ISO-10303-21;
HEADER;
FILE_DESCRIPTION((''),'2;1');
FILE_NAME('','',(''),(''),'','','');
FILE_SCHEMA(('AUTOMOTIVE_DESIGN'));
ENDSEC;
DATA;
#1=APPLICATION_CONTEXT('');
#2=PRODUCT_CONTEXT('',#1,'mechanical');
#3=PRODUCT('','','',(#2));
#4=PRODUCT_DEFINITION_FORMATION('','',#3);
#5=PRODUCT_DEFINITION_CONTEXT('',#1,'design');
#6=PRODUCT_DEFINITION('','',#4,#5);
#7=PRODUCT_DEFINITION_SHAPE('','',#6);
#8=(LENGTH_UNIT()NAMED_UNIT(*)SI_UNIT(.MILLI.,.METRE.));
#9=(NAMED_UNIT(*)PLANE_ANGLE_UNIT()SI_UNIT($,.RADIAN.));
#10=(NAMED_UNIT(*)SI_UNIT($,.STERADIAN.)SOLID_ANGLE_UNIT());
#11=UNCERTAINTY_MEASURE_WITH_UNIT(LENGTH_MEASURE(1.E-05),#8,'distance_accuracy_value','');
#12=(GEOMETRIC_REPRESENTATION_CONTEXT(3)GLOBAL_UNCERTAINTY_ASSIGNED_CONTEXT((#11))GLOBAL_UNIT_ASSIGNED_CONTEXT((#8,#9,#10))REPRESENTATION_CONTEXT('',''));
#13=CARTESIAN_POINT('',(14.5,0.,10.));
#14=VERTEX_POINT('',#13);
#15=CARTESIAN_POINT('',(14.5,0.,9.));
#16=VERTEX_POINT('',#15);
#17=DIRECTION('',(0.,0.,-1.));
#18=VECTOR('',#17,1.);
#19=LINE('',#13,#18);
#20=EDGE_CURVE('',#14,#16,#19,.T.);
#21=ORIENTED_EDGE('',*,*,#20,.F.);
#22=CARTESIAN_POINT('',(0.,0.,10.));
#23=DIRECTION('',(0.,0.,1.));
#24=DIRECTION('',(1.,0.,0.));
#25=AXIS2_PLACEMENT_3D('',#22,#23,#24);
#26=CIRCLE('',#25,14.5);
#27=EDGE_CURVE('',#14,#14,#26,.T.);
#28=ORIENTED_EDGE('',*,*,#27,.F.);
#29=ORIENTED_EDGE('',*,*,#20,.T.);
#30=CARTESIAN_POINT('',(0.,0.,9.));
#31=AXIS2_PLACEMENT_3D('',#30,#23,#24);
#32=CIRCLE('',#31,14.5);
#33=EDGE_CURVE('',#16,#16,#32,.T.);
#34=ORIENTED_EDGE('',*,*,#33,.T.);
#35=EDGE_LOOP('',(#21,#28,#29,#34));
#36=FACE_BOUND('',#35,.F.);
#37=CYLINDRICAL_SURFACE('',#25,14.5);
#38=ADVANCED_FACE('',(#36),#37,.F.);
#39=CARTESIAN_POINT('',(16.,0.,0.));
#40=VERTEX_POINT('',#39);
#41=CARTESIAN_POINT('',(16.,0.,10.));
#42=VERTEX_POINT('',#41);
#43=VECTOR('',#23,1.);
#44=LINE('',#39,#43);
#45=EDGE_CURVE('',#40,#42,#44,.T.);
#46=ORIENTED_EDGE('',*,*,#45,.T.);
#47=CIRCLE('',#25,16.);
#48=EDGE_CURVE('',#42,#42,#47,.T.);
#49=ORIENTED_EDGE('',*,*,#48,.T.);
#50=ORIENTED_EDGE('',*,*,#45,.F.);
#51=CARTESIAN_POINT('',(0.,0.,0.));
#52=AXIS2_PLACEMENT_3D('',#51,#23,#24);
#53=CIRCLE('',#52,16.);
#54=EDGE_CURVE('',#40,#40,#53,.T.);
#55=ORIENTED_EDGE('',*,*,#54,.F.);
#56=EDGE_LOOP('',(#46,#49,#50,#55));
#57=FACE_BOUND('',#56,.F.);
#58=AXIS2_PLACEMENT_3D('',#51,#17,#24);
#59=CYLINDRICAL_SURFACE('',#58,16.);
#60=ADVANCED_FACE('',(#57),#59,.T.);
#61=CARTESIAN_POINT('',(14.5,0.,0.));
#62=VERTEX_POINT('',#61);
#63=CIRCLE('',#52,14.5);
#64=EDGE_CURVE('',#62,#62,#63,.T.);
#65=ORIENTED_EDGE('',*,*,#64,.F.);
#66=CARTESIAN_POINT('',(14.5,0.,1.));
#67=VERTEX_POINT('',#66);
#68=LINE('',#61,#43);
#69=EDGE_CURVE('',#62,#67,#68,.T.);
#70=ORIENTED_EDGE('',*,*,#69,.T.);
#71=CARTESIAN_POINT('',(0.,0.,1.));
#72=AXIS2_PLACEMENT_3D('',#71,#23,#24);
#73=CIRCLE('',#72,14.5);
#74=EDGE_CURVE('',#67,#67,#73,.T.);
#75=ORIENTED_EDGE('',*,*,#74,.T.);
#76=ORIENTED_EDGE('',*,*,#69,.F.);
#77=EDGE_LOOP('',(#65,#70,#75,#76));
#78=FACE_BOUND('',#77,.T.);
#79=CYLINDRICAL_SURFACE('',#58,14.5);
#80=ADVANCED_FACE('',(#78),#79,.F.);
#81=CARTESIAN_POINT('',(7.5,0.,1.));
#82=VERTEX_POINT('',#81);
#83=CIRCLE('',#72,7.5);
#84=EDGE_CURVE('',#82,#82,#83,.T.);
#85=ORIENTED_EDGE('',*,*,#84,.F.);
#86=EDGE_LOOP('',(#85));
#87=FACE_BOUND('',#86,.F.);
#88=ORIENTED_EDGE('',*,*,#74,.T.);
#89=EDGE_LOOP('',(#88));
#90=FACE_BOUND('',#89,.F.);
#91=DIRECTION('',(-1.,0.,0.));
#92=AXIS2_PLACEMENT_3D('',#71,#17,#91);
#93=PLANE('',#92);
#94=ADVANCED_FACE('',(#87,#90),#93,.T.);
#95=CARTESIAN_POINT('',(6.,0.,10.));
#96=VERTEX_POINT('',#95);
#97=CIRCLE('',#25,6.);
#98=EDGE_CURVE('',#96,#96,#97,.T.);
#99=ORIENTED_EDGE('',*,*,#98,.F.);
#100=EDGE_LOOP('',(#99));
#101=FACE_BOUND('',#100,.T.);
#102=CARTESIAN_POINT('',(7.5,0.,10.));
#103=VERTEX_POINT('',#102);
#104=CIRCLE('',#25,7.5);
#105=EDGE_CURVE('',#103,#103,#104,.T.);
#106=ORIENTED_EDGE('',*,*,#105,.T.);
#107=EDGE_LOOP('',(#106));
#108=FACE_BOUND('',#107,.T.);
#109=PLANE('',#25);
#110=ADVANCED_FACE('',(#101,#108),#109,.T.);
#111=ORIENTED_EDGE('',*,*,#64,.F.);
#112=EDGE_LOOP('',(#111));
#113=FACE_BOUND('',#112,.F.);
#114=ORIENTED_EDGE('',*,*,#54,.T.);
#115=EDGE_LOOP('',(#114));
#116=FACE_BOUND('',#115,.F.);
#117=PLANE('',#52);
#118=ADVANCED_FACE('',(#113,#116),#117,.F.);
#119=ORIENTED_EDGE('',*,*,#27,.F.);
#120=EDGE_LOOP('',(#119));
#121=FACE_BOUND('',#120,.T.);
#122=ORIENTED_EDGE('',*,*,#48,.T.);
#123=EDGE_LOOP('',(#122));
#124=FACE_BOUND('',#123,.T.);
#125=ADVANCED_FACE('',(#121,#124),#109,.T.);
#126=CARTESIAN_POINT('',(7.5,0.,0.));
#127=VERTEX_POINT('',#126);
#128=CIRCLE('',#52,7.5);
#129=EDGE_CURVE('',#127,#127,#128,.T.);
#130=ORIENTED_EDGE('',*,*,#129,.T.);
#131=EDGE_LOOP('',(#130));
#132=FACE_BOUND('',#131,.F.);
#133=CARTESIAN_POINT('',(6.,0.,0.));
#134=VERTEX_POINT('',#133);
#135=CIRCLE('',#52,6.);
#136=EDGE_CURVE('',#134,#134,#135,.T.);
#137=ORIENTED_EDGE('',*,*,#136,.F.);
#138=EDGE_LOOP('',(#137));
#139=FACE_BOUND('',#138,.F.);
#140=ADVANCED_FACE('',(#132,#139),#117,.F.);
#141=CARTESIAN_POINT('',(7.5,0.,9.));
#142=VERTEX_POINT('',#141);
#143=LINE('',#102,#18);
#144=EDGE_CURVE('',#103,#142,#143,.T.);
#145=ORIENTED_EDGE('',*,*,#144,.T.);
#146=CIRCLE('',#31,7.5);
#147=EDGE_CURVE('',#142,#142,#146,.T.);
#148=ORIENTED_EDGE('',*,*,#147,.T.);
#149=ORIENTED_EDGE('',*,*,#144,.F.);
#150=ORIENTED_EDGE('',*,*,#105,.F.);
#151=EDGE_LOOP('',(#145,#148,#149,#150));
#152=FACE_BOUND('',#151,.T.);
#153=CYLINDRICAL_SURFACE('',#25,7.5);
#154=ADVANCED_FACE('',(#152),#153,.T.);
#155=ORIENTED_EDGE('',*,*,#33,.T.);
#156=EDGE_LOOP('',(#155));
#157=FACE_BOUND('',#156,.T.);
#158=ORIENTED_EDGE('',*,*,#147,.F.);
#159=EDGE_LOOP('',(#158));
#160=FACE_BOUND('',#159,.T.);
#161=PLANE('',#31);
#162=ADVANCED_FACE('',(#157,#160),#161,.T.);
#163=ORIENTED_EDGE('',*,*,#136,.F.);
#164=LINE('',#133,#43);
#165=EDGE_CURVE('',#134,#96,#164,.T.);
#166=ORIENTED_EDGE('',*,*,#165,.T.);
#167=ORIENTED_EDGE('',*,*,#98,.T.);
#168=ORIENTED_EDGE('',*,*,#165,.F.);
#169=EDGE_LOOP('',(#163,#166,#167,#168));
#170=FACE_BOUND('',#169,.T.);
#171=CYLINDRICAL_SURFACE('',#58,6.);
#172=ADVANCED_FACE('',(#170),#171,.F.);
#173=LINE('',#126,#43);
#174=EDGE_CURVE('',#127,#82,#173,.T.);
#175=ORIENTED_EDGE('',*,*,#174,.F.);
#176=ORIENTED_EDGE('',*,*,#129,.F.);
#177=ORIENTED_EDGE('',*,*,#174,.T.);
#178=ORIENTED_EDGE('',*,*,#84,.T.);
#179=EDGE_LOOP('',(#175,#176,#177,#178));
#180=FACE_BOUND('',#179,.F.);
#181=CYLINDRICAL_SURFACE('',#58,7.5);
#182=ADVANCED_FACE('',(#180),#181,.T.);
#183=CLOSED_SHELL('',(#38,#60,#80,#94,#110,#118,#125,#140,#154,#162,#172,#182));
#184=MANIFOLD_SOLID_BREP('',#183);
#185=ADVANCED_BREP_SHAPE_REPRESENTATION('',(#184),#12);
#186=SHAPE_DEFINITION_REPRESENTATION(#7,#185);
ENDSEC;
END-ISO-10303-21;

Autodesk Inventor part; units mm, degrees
ref_plane "YZ Plane" through (0, 0, 0) normal (1, 0, 0) x (0, 1, 0)
ref_plane "XZ Plane" through (0, 0, 0) normal (0, 1, 0) x (-1, 0, 0)
sketch "Sketch1" plane through (0, 0, 0) normal (0, 0, 1) x (1, 0, 0)
  circle A0 centre (0, 0) radius 6
  circle A1 centre (0, 0) radius 16
  dimension "d0" = 12
  dimension "d1" = 32
extrude "Extrusion1" add sketch "Sketch1" along normal blind 10
sketch "Sketch2" plane through (0, 0, 10) normal (0, 0, 1) x (1, 0, 0)
  circle A0 centre (0, 0) radius 16 projected
  circle A1 centre (0, 0) radius 6 projected
  circle A2 centre (0, 0) radius 7.5
  circle A3 centre (0, 0) radius 14.5
  dimension "d4" = 1.5
  dimension "d5" = 1.5
extrude "Extrusion2" cut sketch "Sketch2" against normal blind 1 contours A3
ref_plane "Work Plane1" through (0, 0, 5) normal (0, 0, 1) x (1, 0, 0)
mirror "Mirror1" about plane through (0, 0, 5) normal (0, 0, 1) of "Extrusion2"
properties part number "6201 Bearing"
